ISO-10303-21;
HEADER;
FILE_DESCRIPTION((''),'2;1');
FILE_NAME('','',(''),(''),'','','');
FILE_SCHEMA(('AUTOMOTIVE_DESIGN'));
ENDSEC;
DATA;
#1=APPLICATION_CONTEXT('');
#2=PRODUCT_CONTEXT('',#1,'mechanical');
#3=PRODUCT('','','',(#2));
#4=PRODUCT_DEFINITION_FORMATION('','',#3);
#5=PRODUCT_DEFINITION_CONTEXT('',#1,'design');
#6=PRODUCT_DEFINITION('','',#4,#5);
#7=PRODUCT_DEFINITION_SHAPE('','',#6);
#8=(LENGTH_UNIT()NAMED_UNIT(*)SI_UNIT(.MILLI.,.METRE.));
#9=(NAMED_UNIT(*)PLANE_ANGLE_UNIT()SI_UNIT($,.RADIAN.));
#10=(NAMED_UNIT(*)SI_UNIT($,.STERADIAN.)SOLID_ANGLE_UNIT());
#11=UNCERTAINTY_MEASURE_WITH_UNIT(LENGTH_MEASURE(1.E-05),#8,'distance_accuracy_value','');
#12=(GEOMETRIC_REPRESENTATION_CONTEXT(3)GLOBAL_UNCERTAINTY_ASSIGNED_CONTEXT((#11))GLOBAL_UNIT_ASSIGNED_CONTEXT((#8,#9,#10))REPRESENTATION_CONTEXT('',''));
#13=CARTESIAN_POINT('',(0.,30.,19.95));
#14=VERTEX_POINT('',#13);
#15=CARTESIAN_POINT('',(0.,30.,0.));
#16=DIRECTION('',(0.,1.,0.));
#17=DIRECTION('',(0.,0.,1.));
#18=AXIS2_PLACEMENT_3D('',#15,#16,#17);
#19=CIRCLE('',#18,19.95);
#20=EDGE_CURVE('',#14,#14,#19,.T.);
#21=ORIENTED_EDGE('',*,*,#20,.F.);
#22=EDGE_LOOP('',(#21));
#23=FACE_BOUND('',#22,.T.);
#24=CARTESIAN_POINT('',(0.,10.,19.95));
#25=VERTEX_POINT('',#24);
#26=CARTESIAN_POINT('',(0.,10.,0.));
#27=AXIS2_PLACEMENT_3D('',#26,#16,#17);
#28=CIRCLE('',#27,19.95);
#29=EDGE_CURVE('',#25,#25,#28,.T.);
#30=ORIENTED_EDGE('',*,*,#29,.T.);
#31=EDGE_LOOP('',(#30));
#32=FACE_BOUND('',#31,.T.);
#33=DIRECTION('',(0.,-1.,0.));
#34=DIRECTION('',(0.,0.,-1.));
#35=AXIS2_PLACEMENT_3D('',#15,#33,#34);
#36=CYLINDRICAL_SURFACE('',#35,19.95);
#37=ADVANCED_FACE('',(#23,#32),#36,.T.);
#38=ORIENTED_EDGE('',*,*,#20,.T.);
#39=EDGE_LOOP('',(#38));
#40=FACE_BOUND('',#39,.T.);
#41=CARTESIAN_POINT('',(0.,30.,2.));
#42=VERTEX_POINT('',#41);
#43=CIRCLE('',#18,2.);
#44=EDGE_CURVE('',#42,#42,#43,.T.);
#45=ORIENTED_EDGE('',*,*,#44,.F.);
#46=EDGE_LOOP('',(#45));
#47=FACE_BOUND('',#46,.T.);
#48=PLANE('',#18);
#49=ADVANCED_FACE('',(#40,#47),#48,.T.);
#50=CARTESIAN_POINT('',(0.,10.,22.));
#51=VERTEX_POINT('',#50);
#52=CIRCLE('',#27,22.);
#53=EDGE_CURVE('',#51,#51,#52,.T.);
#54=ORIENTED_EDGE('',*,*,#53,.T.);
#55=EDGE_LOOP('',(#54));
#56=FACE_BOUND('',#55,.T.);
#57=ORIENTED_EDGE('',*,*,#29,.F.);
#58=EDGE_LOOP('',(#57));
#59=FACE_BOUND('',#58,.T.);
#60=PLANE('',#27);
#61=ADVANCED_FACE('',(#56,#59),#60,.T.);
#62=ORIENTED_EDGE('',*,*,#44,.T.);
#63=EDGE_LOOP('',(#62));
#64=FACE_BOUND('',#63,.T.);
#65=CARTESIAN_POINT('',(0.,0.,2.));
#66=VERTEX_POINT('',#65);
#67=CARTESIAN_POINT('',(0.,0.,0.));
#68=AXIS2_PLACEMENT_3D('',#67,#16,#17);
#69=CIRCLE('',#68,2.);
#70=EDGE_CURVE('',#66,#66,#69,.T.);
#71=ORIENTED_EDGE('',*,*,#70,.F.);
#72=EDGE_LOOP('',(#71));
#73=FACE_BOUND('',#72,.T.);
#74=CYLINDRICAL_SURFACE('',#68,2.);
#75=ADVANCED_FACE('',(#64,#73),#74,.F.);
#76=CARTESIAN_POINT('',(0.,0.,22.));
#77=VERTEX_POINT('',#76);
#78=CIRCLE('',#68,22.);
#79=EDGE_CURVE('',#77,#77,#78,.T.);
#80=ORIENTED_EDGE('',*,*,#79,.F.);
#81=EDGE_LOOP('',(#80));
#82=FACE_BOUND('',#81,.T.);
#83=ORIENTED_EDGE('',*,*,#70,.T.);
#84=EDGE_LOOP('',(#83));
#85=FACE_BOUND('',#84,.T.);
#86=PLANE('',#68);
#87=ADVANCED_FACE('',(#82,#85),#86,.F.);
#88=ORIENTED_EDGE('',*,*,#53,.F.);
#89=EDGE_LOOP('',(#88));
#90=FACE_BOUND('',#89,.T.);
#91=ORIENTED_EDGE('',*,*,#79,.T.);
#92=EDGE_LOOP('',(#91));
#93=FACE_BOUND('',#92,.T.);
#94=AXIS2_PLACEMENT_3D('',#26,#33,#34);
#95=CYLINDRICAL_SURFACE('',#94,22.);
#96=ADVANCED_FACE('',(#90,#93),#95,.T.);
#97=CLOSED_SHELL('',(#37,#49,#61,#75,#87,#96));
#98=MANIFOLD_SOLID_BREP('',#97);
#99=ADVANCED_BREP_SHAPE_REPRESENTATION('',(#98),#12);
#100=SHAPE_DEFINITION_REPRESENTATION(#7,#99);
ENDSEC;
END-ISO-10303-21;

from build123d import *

# Parameters (mm, degrees)
SKETCH1_R           = 22
BOSS_EXTRUDE2_DEPTH = 10
SKETCH2_R           = 19.95
BOSS_EXTRUDE3_DEPTH = 20
SKETCH3_R           = 2
CUT_EXTRUDE1_DEPTH  = 31


with BuildPart() as part:
    # Sketch1 → Boss-Extrude2 (new body)
    with BuildSketch(Plane(origin=(0, 0, 0), x_dir=(1, 0, 0), z_dir=(0, 1, 0))):
        Circle(SKETCH1_R)
    extrude(amount=BOSS_EXTRUDE2_DEPTH)

    # Sketch2 → Boss-Extrude3 (add)
    with BuildSketch(Plane(origin=(0, 10, 0), x_dir=(1, 0, 0), z_dir=(0, 1, 0))):
        Circle(SKETCH2_R)
    extrude(amount=BOSS_EXTRUDE3_DEPTH)

    # Sketch3 → Cut-Extrude1 (cut, through all)
    with BuildSketch(Plane(origin=(0, 30, 0), x_dir=(1, 0, 0), z_dir=(0, 1, 0))):
        Circle(SKETCH3_R)
    extrude(amount=-CUT_EXTRUDE1_DEPTH, mode=Mode.SUBTRACT)


solid = part.part
